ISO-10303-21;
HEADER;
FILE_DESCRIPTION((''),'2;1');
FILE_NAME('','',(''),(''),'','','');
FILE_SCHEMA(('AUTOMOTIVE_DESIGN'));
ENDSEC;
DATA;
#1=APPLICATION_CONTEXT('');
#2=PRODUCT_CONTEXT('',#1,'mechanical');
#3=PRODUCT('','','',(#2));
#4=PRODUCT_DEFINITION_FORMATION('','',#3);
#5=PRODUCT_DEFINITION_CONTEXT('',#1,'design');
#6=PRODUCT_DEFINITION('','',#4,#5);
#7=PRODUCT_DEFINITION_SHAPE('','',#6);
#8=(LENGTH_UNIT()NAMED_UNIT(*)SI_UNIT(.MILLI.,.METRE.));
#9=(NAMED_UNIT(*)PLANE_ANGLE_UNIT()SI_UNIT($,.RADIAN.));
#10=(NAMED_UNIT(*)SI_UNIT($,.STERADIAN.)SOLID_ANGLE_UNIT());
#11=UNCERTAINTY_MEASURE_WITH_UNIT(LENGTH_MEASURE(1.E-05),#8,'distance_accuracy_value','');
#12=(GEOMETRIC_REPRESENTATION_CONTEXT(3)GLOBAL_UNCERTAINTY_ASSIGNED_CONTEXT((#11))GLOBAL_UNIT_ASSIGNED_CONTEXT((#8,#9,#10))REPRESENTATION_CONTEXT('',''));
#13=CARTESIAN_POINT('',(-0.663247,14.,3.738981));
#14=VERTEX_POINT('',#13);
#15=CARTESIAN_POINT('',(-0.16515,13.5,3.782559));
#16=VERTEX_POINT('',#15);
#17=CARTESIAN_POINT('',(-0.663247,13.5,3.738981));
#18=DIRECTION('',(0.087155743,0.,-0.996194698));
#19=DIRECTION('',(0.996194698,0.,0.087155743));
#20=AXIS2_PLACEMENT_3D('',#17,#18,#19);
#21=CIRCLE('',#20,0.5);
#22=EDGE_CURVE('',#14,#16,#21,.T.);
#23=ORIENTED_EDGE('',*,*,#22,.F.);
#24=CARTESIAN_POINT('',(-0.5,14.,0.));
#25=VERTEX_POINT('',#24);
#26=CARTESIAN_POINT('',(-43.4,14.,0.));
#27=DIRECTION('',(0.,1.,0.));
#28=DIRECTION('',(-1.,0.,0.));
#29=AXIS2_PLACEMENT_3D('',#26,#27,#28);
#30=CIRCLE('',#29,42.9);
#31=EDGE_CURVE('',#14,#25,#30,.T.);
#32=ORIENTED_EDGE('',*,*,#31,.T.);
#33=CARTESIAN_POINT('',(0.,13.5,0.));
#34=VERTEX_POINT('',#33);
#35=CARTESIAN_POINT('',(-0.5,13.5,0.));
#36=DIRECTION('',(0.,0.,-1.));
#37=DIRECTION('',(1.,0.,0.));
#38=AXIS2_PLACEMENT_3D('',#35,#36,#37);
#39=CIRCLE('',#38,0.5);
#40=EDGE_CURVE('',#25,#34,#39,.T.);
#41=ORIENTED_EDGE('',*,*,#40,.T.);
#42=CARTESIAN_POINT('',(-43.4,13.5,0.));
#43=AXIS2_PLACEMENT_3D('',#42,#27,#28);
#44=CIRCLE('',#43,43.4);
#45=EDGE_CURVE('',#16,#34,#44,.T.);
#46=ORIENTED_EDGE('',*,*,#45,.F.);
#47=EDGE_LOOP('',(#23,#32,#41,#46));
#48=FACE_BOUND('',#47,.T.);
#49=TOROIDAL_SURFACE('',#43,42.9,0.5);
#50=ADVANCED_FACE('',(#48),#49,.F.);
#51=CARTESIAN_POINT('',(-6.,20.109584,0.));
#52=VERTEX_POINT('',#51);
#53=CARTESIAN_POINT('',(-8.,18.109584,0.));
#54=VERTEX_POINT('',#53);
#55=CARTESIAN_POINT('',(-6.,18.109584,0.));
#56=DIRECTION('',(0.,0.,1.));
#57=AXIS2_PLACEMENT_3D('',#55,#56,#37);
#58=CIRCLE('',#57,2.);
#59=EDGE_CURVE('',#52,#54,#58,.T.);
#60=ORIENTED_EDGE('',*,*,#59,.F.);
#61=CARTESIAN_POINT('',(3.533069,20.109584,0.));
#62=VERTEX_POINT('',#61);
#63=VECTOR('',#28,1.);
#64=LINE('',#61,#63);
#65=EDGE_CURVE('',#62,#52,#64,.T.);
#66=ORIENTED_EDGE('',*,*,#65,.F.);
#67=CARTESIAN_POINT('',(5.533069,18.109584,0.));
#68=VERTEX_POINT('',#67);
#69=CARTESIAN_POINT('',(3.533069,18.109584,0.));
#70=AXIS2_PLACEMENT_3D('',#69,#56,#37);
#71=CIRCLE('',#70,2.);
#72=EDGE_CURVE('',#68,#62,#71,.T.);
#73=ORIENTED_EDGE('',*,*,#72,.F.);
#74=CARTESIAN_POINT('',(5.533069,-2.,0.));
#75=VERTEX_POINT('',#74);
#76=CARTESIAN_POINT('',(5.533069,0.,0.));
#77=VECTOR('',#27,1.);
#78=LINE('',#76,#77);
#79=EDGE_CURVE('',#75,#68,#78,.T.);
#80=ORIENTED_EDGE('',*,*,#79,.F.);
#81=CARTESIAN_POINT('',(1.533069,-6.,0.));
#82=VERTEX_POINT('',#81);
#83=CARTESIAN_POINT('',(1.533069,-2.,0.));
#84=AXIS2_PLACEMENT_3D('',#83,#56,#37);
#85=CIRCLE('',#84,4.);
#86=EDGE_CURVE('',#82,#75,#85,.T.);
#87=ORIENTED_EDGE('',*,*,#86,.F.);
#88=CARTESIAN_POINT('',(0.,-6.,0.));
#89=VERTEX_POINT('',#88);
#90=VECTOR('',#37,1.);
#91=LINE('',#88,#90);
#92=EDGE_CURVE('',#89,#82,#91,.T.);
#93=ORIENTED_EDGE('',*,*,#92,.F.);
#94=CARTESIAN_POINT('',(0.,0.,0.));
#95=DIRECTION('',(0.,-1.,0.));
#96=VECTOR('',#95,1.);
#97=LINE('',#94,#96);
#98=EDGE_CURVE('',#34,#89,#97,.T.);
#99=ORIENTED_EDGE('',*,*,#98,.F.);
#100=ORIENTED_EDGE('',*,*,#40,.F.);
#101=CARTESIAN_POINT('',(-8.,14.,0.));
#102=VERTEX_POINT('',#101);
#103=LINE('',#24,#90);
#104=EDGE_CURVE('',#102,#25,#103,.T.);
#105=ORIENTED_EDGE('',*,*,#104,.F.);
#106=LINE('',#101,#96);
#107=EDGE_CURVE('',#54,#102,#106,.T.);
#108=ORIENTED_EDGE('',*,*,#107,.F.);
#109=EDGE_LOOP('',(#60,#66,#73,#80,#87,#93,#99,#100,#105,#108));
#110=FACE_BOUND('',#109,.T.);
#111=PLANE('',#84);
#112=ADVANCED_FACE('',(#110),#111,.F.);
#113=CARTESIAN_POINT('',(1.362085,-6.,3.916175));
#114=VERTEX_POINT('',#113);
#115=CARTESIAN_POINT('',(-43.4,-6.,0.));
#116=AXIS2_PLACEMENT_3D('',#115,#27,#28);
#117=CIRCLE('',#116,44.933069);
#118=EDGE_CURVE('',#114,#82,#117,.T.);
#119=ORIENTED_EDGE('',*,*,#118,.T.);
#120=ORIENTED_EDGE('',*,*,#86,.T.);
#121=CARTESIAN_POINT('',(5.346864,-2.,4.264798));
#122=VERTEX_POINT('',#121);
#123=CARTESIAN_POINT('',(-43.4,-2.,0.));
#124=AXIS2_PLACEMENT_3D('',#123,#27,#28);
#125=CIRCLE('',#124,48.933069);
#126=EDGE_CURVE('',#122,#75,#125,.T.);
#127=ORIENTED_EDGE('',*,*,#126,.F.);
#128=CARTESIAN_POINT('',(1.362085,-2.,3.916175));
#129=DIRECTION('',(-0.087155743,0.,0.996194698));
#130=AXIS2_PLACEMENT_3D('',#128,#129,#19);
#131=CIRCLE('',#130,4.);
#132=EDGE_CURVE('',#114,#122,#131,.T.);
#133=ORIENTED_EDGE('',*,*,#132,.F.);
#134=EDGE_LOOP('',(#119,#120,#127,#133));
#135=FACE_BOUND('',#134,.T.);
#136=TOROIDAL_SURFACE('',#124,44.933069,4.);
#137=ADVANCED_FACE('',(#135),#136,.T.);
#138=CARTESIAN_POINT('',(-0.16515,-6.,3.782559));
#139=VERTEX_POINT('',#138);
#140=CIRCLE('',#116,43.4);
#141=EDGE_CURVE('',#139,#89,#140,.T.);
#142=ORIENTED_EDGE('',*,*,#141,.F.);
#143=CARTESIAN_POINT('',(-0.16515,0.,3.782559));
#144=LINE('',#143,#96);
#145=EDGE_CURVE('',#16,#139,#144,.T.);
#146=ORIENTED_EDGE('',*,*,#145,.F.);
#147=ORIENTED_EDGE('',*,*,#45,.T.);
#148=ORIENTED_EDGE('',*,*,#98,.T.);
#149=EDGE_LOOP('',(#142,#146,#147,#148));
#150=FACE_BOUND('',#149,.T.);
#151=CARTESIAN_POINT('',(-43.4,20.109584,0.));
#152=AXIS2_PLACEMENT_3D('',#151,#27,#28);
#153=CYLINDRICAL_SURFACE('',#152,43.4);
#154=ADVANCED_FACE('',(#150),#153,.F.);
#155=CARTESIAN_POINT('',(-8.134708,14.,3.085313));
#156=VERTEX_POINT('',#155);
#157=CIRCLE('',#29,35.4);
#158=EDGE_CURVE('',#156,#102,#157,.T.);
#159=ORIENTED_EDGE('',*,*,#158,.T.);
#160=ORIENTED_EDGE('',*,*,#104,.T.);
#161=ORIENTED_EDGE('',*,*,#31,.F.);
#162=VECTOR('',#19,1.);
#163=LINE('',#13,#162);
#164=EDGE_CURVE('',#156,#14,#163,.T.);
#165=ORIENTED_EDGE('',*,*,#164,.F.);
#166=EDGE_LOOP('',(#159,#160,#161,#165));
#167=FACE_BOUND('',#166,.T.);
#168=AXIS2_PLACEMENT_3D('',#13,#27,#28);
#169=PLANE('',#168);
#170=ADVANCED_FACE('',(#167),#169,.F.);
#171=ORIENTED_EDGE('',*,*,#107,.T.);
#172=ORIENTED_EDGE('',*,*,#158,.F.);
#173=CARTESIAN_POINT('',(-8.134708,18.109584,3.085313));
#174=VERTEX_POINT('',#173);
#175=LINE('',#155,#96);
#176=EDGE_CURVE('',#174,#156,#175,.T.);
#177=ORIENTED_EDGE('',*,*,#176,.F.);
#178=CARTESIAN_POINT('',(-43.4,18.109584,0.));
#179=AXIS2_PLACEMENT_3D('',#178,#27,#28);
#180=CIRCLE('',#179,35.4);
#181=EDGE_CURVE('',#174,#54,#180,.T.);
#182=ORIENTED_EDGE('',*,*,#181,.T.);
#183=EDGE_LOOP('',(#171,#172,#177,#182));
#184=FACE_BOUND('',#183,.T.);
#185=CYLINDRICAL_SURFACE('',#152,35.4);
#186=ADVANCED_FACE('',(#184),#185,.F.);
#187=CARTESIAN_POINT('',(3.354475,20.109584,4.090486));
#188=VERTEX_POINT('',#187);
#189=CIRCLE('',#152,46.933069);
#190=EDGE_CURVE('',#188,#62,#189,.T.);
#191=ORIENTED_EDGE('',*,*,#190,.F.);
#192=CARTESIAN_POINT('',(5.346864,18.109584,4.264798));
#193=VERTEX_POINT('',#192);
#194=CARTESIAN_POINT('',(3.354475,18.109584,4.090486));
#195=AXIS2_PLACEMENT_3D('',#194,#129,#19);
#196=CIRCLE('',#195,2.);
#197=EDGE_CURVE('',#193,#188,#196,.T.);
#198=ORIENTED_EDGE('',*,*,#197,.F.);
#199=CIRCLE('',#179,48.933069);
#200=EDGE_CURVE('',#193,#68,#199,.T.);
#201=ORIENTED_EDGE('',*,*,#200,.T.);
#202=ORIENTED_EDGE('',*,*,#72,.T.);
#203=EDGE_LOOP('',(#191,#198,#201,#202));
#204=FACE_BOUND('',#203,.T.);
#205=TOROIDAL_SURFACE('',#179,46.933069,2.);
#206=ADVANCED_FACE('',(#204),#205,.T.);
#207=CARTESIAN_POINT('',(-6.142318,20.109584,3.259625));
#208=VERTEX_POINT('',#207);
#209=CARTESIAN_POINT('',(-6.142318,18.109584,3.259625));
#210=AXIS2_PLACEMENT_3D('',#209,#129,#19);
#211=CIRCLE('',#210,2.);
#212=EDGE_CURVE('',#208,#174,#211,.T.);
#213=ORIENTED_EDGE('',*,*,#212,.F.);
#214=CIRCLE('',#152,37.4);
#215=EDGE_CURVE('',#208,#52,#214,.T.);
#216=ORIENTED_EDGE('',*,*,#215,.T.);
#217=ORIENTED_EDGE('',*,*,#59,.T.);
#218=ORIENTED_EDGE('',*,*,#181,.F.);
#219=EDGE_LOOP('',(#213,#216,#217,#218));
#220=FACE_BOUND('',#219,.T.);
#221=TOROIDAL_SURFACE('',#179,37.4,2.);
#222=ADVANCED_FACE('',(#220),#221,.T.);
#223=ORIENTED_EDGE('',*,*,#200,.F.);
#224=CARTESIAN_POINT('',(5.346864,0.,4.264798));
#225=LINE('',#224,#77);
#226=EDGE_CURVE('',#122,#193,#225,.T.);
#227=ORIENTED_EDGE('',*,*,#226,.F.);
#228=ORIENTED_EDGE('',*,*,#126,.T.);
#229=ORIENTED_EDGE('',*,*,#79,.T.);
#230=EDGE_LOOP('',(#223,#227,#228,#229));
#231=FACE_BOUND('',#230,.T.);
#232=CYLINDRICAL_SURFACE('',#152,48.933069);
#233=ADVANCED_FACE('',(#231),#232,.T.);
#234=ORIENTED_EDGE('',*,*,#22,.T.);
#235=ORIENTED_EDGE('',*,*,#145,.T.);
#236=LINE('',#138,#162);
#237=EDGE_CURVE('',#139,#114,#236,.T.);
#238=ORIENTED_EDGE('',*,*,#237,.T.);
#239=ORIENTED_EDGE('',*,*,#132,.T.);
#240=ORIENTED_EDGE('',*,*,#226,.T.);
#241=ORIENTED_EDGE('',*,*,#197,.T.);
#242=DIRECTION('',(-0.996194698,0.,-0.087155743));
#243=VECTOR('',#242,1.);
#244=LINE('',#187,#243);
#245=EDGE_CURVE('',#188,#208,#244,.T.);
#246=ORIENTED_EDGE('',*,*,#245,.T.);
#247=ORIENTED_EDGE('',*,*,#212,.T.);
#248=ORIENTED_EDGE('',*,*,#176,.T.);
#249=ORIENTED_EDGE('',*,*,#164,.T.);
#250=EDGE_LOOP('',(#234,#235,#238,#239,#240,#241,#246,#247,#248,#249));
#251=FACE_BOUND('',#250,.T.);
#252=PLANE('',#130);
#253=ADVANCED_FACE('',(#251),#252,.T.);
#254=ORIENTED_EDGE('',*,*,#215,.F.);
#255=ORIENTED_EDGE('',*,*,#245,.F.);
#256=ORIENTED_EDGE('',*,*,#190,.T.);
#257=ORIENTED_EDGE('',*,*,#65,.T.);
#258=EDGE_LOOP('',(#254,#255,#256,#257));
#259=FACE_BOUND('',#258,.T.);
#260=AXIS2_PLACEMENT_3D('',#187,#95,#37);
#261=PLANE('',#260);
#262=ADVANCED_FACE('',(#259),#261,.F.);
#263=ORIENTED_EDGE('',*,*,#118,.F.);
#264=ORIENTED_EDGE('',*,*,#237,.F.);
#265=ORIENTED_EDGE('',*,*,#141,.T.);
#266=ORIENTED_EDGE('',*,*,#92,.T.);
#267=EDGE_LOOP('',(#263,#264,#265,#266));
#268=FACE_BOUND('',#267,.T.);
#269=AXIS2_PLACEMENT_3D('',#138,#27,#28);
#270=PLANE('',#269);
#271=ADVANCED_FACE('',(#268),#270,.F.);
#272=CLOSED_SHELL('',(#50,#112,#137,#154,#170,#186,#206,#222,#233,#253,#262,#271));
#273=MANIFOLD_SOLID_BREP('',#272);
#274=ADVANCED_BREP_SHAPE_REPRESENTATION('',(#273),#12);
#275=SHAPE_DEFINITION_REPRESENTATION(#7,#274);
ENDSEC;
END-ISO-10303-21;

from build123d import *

# Parameters (mm, degrees)
REVOLVE1_ANGLE = 5


with BuildPart() as part:
    # Sketch1 → Revolve1 (revolve)
    with BuildSketch(Plane.XY):
        with BuildLine():
            Line((0, 0), (0, 13.5))
            ThreePointArc((0, 13.5), (-0.146446609, 13.853553391), (-0.5, 14))
            Line((-0.5, 14), (-8, 14))
            Line((-8, 14), (-8, 18.109583933))
            ThreePointArc((-8, 18.109583933), (-7.414213562, 19.523797495), (-6, 20.109583933))
            Line((-6, 20.109583933), (3.533069031, 20.109583933))
            ThreePointArc((3.533069031, 20.109583933), (4.947282593, 19.523797495), (5.533069031, 18.109583933))
            Line((5.533069031, 18.109583933), (5.533069031, 14))
            Line((5.533069031, 14), (5.533069031, 0))
            Line((5.533069031, 0), (5.533069031, -2))
            ThreePointArc((5.533069031, -2), (4.361496156, -4.828427125), (1.533069031, -6))
            Line((1.533069031, -6), (0, -6))
            Line((0, -6), (0, 0))
        make_face()
    revolve(axis=Axis((-43.4, 20.109583933, 0), (0, -1, 0)), revolution_arc=REVOLVE1_ANGLE)


solid = part.part
